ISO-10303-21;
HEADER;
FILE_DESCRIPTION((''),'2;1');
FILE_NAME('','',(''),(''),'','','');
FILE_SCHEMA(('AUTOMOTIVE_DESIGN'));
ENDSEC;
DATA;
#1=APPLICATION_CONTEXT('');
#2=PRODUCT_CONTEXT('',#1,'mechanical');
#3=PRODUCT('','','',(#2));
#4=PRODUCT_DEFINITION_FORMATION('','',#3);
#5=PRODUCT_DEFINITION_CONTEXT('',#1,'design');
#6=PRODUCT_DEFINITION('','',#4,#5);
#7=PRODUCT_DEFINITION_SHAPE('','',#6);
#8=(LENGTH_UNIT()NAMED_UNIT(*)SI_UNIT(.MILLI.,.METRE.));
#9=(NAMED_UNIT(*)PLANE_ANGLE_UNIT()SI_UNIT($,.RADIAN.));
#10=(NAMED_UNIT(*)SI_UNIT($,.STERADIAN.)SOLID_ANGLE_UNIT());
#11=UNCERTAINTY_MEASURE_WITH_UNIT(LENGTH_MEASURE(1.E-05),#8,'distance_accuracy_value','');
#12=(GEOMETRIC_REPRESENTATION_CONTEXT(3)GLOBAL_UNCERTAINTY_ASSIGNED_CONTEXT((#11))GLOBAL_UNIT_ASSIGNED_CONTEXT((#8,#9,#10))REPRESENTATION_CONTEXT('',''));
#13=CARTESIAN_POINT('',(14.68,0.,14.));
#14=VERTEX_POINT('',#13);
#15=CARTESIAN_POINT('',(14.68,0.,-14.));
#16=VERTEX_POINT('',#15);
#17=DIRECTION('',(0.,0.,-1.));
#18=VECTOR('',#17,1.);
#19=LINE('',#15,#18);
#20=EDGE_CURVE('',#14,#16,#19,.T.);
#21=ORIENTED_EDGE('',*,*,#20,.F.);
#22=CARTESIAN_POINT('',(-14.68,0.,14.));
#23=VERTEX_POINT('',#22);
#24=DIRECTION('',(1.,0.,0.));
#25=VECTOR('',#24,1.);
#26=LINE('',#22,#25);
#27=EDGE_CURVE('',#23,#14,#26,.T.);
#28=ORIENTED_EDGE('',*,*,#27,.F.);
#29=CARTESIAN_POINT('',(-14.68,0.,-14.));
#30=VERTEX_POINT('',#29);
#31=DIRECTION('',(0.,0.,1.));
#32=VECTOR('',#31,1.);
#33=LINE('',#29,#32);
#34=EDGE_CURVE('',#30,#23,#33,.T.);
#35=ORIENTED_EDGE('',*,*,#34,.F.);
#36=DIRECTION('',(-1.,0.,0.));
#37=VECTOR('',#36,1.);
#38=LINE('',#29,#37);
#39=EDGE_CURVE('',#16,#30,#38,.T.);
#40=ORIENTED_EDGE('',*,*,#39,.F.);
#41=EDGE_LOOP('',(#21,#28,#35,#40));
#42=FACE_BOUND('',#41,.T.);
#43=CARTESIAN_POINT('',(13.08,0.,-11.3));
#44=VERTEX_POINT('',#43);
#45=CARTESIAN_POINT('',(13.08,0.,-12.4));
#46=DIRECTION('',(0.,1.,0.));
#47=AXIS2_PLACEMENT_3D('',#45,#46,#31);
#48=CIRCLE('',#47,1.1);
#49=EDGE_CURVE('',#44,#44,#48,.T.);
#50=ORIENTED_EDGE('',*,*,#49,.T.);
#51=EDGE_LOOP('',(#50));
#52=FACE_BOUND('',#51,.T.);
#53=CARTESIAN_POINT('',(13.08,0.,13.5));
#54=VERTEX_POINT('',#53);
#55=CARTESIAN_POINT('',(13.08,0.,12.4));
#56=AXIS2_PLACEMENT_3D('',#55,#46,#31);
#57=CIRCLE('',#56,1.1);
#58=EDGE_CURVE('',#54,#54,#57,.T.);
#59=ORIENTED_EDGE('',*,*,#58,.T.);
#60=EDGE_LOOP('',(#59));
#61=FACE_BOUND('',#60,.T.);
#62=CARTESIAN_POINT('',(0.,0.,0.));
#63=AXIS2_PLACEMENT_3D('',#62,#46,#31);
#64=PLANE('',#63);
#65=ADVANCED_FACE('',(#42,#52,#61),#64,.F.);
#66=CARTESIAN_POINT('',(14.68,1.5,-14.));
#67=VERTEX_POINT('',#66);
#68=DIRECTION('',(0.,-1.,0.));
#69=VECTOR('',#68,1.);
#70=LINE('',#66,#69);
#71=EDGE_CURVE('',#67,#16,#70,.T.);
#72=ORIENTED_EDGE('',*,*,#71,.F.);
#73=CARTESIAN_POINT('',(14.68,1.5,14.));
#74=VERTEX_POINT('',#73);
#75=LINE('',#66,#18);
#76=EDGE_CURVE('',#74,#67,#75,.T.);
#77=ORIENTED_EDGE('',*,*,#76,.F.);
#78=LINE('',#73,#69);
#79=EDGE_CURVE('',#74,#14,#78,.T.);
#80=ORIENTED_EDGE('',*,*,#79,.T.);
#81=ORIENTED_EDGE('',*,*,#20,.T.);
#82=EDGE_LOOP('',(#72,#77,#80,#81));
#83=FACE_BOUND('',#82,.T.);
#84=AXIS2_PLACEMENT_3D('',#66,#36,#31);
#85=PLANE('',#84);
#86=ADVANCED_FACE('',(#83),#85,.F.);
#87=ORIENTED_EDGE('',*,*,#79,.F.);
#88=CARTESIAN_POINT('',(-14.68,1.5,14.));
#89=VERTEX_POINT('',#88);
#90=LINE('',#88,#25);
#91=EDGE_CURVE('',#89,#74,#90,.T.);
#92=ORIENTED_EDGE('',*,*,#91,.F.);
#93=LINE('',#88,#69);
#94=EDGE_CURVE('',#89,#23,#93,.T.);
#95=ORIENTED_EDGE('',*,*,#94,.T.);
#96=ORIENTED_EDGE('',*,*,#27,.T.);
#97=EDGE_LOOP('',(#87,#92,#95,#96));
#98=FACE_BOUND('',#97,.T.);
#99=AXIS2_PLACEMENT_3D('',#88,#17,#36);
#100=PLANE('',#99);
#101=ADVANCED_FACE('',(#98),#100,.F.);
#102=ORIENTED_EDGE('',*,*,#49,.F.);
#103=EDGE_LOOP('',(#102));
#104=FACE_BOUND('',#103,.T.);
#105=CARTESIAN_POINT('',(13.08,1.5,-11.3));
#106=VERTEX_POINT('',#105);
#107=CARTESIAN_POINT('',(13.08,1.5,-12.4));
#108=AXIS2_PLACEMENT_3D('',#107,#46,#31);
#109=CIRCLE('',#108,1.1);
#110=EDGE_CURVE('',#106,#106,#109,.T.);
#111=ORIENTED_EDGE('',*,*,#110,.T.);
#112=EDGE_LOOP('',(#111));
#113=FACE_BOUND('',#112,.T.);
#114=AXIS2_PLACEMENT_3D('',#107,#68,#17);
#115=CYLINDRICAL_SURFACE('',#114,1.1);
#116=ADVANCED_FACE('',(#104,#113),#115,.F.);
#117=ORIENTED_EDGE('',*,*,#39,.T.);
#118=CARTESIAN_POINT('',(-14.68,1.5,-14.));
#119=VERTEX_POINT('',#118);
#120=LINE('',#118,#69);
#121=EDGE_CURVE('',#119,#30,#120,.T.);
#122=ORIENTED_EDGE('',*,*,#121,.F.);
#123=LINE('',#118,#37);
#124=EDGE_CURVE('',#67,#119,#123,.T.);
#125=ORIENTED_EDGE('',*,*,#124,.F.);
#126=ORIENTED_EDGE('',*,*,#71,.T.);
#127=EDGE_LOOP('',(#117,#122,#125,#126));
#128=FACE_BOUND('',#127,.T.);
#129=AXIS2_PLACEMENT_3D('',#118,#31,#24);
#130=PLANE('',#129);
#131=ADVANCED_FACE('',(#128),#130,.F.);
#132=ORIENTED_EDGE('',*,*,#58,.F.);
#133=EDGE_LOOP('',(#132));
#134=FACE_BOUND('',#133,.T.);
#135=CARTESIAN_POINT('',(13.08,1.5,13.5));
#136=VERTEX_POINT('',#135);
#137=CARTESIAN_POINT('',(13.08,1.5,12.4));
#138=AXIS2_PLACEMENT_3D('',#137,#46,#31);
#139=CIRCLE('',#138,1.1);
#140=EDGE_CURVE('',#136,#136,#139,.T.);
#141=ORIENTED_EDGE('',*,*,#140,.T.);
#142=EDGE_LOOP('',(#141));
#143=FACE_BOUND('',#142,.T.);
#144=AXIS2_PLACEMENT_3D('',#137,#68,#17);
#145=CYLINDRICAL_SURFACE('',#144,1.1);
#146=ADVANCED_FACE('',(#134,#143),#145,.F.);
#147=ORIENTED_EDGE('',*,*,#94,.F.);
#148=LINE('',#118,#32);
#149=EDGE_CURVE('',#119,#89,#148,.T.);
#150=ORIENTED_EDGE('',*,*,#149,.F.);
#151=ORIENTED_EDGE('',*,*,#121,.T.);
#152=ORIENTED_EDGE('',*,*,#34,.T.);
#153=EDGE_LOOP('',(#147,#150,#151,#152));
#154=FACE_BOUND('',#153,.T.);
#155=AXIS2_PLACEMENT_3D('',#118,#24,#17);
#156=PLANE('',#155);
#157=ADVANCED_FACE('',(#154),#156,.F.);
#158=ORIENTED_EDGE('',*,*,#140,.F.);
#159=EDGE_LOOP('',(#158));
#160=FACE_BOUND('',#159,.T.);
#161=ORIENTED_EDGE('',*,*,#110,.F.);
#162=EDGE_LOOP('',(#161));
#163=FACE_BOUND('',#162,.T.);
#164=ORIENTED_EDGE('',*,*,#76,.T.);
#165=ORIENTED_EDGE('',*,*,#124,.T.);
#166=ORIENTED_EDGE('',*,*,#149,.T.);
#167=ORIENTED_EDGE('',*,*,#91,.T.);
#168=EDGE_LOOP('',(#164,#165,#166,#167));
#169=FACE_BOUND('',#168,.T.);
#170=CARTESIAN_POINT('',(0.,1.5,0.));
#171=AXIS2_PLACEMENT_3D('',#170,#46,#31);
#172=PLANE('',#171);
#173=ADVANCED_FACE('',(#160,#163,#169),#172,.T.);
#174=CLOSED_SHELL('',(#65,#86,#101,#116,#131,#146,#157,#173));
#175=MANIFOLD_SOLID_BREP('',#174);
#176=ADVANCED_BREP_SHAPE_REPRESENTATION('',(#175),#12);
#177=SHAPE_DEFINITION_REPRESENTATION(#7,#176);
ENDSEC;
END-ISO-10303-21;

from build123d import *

# Parameters (mm, degrees)
SKETCH1_W           = 29.36
SKETCH1_H           = 28
SKETCH1_R           = 1.1
BOSS_EXTRUDE1_DEPTH = 1.5


with BuildPart() as part:
    # Sketch1 → Boss-Extrude1 (new body)
    with BuildSketch(Plane(origin=(0, 0, 0), x_dir=(1, 0, 0), z_dir=(0, 1, 0))):
        Rectangle(SKETCH1_W, SKETCH1_H)
        with Locations(Location((13.08, 12.4, 0), (0, 0, 270))):
            Circle(SKETCH1_R, mode=Mode.SUBTRACT)
        with Locations(Location((13.08, -12.4, 0), (0, 0, 270))):
            Circle(SKETCH1_R, mode=Mode.SUBTRACT)
    extrude(amount=BOSS_EXTRUDE1_DEPTH)


solid = part.part
